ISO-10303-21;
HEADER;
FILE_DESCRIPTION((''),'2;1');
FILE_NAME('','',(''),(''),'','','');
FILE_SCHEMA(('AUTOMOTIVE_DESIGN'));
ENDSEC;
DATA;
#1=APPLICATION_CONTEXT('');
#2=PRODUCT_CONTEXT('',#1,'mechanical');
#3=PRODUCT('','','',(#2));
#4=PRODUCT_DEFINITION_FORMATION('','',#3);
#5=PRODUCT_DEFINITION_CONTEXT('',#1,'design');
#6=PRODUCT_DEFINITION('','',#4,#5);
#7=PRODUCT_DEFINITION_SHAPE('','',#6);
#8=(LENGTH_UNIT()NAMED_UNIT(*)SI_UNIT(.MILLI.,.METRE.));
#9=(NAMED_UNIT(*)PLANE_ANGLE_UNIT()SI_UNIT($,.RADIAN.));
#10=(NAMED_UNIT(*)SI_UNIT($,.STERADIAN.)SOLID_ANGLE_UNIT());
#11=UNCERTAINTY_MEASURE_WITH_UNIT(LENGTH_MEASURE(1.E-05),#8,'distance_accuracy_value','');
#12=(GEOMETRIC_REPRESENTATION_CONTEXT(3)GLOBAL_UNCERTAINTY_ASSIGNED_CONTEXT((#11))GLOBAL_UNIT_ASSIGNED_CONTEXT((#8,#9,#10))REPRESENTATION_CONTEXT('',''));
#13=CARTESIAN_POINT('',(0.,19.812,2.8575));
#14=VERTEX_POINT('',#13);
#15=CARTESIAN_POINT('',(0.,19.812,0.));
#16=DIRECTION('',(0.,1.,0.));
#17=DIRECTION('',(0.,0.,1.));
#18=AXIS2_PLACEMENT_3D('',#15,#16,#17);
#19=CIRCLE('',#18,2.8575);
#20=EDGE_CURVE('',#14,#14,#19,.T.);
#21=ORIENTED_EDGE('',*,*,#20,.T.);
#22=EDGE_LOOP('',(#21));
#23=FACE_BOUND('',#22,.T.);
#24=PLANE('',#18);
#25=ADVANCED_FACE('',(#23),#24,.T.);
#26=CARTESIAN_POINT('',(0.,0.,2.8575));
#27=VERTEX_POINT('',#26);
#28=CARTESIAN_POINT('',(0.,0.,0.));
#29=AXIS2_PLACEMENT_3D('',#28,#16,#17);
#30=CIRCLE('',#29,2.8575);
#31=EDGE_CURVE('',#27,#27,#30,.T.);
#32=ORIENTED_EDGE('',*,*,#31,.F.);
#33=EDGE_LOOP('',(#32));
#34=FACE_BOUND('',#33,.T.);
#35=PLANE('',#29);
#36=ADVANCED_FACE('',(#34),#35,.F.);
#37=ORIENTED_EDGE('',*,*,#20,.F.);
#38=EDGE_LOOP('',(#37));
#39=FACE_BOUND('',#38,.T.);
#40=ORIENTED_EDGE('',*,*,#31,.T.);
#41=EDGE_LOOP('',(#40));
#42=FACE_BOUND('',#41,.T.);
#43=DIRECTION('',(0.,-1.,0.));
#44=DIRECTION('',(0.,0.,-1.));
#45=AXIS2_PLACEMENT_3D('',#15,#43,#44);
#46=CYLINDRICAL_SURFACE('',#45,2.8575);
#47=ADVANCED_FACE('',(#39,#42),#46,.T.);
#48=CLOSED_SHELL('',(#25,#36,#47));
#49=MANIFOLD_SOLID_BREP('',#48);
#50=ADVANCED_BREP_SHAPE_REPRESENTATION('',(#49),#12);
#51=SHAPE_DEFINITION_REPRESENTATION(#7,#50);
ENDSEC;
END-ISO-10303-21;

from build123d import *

# Parameters (mm, degrees)
SKETCH1_R           = 2.8575
BOSS_EXTRUDE1_DEPTH = 19.812


with BuildPart() as part:
    # Sketch1 → Boss-Extrude1 (new body)
    with BuildSketch(Plane(origin=(0, 0, 0), x_dir=(1, 0, 0), z_dir=(0, 1, 0))):
        with Locations(Location((0, 0, 0), (0, 0, 270))):
            Circle(SKETCH1_R)
    extrude(amount=BOSS_EXTRUDE1_DEPTH)


solid = part.part
